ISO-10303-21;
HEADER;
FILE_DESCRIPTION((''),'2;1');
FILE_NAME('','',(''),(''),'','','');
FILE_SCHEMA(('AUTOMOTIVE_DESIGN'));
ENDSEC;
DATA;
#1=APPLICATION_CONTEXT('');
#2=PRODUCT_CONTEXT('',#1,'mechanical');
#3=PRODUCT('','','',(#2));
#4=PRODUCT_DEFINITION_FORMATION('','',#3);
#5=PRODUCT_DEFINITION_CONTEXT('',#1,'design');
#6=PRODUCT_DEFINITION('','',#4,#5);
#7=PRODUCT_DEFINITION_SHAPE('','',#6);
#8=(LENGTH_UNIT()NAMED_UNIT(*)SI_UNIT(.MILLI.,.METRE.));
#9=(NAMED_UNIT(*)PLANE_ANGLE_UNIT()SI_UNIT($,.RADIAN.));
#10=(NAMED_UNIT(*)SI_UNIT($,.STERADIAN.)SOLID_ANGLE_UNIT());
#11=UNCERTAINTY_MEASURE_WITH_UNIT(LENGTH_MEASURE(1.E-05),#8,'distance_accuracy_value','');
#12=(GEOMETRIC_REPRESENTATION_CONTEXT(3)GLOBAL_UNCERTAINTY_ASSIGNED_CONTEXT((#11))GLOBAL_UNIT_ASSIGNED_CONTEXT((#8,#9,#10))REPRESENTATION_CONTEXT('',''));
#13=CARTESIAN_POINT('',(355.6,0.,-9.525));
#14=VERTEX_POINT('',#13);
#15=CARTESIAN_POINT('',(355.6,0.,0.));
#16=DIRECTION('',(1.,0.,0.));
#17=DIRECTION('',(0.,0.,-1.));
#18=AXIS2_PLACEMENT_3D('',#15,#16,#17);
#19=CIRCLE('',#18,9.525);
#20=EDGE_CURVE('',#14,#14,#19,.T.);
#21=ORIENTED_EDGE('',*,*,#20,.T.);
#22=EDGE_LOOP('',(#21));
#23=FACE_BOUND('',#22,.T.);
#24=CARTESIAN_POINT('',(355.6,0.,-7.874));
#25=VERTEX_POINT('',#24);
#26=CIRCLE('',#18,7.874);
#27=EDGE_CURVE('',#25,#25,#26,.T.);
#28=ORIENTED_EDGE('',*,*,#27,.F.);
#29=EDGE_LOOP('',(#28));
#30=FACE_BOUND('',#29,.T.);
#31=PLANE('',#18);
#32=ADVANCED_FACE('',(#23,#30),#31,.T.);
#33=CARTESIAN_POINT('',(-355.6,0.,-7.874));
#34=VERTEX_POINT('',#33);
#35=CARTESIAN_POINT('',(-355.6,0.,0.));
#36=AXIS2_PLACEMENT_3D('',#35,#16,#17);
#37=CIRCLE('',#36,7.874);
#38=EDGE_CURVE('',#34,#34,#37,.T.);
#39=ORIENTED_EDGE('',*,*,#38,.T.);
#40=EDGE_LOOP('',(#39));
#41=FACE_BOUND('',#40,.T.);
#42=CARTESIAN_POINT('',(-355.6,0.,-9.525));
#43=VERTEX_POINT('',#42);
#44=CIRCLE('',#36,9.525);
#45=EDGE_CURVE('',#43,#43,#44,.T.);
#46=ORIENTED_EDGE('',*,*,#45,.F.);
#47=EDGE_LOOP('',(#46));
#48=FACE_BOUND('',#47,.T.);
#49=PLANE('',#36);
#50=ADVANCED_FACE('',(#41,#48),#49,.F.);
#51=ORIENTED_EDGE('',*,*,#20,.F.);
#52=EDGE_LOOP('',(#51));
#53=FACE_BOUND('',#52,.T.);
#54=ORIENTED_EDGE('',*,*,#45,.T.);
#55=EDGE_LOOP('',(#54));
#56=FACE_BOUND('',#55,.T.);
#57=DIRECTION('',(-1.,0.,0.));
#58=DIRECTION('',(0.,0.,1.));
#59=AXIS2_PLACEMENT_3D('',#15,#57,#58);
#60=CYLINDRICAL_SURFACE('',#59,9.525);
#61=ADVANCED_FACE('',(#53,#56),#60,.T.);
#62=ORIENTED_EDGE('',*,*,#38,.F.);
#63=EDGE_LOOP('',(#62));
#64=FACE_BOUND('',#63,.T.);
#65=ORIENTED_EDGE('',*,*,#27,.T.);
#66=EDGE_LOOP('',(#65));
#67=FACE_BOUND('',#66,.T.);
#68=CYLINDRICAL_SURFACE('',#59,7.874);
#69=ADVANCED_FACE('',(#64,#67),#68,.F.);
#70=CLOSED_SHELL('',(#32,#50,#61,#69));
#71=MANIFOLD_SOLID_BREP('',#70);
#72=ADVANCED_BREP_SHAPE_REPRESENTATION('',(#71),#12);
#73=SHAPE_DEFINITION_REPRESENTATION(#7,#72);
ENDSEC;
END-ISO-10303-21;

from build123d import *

# Parameters (mm, degrees)
SKETCH1_R           = 9.525
SKETCH1_R_2         = 7.874
BOSS_EXTRUDE1_DEPTH = 355.6


with BuildPart() as part:
    # Sketch1 → Boss-Extrude1 (new body, symmetric)
    with BuildSketch(Plane(origin=(0, 0, 0), x_dir=(0, 0, -1), z_dir=(1, 0, 0))):
        Circle(SKETCH1_R)
        Circle(SKETCH1_R_2, mode=Mode.SUBTRACT)
    extrude(amount=BOSS_EXTRUDE1_DEPTH, both=True)


solid = part.part
